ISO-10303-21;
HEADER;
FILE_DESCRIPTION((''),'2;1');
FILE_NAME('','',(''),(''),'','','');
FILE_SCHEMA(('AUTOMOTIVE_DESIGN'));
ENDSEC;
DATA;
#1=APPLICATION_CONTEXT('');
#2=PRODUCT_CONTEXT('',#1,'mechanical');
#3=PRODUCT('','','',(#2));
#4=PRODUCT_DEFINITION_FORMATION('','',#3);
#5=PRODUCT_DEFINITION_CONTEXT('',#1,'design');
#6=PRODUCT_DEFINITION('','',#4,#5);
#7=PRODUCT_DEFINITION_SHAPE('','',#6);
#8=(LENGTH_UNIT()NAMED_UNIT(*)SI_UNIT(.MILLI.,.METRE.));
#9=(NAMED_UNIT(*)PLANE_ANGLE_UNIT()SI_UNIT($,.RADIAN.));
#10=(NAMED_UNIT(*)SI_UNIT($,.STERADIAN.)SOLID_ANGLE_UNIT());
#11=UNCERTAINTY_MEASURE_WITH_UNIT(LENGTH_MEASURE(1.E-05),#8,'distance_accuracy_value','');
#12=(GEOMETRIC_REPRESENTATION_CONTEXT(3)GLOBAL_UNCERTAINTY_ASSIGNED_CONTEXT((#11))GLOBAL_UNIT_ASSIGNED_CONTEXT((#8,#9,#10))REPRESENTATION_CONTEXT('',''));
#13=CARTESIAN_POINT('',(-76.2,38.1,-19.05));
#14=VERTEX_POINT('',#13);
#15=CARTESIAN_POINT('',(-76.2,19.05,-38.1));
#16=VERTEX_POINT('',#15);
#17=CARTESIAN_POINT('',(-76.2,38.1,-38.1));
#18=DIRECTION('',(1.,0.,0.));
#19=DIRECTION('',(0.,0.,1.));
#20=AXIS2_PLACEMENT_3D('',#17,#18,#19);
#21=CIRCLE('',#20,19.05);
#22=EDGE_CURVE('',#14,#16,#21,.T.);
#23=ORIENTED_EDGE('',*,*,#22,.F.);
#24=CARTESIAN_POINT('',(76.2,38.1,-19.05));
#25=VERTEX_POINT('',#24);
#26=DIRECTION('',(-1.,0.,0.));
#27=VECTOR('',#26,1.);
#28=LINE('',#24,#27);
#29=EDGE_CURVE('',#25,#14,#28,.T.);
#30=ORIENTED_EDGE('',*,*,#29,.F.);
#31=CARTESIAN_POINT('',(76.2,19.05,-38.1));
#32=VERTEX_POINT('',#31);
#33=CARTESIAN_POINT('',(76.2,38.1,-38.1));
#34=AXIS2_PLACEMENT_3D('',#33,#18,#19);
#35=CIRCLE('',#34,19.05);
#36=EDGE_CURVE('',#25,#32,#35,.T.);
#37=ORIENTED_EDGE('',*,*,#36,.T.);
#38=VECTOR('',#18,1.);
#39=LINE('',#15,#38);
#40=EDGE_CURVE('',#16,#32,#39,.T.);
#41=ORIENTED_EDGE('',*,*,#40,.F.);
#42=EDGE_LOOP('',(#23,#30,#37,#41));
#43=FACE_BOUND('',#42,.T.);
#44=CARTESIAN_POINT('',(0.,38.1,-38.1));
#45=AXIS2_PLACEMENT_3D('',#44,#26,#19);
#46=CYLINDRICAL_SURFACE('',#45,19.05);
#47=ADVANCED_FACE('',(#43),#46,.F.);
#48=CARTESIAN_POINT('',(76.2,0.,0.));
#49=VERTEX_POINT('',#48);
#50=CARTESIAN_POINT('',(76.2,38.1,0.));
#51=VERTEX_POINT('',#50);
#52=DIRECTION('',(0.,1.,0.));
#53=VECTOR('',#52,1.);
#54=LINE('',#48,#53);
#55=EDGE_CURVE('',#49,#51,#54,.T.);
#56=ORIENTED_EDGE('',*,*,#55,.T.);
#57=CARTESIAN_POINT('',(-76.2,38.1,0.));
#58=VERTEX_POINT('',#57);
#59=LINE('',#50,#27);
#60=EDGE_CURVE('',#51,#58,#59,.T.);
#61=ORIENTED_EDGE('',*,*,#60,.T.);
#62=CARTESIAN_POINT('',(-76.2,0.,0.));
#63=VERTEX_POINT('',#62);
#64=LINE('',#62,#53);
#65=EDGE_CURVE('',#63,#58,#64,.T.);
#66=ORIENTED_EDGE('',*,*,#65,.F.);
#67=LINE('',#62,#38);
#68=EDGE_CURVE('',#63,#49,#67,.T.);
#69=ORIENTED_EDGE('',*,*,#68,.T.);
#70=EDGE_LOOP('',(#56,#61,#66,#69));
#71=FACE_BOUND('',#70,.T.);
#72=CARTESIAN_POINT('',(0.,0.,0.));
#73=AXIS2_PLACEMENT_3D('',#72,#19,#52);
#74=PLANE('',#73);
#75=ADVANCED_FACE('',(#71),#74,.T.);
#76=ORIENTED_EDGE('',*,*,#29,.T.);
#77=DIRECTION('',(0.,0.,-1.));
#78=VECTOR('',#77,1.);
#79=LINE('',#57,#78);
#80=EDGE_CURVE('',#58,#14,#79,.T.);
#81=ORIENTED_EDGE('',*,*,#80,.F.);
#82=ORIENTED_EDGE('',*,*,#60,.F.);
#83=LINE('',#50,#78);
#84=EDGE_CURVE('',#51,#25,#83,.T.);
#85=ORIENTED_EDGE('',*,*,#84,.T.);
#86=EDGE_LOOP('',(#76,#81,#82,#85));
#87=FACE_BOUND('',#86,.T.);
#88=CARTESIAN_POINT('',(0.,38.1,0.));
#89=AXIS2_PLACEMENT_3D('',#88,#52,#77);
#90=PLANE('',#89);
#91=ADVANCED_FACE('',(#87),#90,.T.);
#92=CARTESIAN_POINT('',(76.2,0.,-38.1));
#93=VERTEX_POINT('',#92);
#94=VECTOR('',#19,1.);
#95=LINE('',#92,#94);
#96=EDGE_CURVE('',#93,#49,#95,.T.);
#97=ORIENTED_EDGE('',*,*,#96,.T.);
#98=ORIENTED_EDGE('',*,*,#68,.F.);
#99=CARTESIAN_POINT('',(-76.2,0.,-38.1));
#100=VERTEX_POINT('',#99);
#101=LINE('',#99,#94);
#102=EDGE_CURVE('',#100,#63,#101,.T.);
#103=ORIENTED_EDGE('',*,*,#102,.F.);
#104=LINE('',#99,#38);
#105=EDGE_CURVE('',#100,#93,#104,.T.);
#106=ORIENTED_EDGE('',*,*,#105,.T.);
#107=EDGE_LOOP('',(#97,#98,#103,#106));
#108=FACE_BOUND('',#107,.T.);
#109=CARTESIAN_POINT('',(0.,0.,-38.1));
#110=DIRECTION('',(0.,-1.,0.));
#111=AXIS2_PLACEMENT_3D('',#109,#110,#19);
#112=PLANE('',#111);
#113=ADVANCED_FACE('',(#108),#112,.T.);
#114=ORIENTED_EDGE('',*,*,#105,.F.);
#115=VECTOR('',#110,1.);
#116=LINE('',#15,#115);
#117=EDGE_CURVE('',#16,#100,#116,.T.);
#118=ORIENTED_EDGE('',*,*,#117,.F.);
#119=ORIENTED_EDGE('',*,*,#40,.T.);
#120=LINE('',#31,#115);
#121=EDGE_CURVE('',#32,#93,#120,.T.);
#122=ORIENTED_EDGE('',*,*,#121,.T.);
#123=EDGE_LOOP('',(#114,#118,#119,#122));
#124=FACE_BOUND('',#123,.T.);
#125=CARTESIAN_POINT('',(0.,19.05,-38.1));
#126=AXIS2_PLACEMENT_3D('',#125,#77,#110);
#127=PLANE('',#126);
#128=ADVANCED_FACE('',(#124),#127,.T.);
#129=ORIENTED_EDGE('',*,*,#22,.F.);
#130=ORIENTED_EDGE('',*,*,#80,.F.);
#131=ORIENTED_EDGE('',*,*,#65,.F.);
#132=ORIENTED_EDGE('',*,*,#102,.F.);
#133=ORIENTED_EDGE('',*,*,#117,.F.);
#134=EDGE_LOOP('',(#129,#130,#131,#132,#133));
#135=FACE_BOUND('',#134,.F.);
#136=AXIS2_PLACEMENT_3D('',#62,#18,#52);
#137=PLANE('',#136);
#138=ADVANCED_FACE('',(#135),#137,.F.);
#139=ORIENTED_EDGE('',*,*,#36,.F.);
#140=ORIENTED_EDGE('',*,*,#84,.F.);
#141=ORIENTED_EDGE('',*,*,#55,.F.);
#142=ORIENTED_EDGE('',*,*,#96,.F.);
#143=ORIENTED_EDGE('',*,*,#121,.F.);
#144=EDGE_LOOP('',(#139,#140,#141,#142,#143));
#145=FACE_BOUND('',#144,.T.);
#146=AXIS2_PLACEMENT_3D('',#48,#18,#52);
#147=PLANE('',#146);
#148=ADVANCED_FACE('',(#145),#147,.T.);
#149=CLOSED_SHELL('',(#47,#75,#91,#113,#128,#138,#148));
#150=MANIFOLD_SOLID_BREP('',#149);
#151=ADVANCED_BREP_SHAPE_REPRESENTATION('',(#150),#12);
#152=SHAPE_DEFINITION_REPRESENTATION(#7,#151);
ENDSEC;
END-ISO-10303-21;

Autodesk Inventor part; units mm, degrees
ref_plane "YZ Plane" through (0, 0, 0) normal (1, 0, 0) x (0, 1, 0)
ref_plane "XZ Plane" through (0, 0, 0) normal (0, 1, 0) x (-1, 0, 0)
ref_plane "XY Plane" through (0, 0, 0) normal (0, 0, 1) x (1, 0, 0)
sketch "Sketch1" plane through (0, 0, 0) normal (1, 0, 0) x (0, 1, 0)
  line L0 (0, 0) -> (38.1, 0)
  line L1 (38.1, 0) -> (38.1, -19.05)
  line L2 (19.05, -38.1) -> (0, -38.1)
  line L3 (0, -38.1) -> (0, 0)
  arc A0 (38.1, -19.05) -> (19.05, -38.1) centre (38.1, -38.1) ccw
  dimension "d0" = 38.1
  dimension "d1" = 38.1
  dimension "d2" = 38.1
  dimension "d5" = 38.1
  dimension "d6" = 38.1
extrude "Extrusion1" add sketch "Sketch1" along normal mid plane 152.4
properties part number "chuckFor_0_75_inchQuarterRound"
